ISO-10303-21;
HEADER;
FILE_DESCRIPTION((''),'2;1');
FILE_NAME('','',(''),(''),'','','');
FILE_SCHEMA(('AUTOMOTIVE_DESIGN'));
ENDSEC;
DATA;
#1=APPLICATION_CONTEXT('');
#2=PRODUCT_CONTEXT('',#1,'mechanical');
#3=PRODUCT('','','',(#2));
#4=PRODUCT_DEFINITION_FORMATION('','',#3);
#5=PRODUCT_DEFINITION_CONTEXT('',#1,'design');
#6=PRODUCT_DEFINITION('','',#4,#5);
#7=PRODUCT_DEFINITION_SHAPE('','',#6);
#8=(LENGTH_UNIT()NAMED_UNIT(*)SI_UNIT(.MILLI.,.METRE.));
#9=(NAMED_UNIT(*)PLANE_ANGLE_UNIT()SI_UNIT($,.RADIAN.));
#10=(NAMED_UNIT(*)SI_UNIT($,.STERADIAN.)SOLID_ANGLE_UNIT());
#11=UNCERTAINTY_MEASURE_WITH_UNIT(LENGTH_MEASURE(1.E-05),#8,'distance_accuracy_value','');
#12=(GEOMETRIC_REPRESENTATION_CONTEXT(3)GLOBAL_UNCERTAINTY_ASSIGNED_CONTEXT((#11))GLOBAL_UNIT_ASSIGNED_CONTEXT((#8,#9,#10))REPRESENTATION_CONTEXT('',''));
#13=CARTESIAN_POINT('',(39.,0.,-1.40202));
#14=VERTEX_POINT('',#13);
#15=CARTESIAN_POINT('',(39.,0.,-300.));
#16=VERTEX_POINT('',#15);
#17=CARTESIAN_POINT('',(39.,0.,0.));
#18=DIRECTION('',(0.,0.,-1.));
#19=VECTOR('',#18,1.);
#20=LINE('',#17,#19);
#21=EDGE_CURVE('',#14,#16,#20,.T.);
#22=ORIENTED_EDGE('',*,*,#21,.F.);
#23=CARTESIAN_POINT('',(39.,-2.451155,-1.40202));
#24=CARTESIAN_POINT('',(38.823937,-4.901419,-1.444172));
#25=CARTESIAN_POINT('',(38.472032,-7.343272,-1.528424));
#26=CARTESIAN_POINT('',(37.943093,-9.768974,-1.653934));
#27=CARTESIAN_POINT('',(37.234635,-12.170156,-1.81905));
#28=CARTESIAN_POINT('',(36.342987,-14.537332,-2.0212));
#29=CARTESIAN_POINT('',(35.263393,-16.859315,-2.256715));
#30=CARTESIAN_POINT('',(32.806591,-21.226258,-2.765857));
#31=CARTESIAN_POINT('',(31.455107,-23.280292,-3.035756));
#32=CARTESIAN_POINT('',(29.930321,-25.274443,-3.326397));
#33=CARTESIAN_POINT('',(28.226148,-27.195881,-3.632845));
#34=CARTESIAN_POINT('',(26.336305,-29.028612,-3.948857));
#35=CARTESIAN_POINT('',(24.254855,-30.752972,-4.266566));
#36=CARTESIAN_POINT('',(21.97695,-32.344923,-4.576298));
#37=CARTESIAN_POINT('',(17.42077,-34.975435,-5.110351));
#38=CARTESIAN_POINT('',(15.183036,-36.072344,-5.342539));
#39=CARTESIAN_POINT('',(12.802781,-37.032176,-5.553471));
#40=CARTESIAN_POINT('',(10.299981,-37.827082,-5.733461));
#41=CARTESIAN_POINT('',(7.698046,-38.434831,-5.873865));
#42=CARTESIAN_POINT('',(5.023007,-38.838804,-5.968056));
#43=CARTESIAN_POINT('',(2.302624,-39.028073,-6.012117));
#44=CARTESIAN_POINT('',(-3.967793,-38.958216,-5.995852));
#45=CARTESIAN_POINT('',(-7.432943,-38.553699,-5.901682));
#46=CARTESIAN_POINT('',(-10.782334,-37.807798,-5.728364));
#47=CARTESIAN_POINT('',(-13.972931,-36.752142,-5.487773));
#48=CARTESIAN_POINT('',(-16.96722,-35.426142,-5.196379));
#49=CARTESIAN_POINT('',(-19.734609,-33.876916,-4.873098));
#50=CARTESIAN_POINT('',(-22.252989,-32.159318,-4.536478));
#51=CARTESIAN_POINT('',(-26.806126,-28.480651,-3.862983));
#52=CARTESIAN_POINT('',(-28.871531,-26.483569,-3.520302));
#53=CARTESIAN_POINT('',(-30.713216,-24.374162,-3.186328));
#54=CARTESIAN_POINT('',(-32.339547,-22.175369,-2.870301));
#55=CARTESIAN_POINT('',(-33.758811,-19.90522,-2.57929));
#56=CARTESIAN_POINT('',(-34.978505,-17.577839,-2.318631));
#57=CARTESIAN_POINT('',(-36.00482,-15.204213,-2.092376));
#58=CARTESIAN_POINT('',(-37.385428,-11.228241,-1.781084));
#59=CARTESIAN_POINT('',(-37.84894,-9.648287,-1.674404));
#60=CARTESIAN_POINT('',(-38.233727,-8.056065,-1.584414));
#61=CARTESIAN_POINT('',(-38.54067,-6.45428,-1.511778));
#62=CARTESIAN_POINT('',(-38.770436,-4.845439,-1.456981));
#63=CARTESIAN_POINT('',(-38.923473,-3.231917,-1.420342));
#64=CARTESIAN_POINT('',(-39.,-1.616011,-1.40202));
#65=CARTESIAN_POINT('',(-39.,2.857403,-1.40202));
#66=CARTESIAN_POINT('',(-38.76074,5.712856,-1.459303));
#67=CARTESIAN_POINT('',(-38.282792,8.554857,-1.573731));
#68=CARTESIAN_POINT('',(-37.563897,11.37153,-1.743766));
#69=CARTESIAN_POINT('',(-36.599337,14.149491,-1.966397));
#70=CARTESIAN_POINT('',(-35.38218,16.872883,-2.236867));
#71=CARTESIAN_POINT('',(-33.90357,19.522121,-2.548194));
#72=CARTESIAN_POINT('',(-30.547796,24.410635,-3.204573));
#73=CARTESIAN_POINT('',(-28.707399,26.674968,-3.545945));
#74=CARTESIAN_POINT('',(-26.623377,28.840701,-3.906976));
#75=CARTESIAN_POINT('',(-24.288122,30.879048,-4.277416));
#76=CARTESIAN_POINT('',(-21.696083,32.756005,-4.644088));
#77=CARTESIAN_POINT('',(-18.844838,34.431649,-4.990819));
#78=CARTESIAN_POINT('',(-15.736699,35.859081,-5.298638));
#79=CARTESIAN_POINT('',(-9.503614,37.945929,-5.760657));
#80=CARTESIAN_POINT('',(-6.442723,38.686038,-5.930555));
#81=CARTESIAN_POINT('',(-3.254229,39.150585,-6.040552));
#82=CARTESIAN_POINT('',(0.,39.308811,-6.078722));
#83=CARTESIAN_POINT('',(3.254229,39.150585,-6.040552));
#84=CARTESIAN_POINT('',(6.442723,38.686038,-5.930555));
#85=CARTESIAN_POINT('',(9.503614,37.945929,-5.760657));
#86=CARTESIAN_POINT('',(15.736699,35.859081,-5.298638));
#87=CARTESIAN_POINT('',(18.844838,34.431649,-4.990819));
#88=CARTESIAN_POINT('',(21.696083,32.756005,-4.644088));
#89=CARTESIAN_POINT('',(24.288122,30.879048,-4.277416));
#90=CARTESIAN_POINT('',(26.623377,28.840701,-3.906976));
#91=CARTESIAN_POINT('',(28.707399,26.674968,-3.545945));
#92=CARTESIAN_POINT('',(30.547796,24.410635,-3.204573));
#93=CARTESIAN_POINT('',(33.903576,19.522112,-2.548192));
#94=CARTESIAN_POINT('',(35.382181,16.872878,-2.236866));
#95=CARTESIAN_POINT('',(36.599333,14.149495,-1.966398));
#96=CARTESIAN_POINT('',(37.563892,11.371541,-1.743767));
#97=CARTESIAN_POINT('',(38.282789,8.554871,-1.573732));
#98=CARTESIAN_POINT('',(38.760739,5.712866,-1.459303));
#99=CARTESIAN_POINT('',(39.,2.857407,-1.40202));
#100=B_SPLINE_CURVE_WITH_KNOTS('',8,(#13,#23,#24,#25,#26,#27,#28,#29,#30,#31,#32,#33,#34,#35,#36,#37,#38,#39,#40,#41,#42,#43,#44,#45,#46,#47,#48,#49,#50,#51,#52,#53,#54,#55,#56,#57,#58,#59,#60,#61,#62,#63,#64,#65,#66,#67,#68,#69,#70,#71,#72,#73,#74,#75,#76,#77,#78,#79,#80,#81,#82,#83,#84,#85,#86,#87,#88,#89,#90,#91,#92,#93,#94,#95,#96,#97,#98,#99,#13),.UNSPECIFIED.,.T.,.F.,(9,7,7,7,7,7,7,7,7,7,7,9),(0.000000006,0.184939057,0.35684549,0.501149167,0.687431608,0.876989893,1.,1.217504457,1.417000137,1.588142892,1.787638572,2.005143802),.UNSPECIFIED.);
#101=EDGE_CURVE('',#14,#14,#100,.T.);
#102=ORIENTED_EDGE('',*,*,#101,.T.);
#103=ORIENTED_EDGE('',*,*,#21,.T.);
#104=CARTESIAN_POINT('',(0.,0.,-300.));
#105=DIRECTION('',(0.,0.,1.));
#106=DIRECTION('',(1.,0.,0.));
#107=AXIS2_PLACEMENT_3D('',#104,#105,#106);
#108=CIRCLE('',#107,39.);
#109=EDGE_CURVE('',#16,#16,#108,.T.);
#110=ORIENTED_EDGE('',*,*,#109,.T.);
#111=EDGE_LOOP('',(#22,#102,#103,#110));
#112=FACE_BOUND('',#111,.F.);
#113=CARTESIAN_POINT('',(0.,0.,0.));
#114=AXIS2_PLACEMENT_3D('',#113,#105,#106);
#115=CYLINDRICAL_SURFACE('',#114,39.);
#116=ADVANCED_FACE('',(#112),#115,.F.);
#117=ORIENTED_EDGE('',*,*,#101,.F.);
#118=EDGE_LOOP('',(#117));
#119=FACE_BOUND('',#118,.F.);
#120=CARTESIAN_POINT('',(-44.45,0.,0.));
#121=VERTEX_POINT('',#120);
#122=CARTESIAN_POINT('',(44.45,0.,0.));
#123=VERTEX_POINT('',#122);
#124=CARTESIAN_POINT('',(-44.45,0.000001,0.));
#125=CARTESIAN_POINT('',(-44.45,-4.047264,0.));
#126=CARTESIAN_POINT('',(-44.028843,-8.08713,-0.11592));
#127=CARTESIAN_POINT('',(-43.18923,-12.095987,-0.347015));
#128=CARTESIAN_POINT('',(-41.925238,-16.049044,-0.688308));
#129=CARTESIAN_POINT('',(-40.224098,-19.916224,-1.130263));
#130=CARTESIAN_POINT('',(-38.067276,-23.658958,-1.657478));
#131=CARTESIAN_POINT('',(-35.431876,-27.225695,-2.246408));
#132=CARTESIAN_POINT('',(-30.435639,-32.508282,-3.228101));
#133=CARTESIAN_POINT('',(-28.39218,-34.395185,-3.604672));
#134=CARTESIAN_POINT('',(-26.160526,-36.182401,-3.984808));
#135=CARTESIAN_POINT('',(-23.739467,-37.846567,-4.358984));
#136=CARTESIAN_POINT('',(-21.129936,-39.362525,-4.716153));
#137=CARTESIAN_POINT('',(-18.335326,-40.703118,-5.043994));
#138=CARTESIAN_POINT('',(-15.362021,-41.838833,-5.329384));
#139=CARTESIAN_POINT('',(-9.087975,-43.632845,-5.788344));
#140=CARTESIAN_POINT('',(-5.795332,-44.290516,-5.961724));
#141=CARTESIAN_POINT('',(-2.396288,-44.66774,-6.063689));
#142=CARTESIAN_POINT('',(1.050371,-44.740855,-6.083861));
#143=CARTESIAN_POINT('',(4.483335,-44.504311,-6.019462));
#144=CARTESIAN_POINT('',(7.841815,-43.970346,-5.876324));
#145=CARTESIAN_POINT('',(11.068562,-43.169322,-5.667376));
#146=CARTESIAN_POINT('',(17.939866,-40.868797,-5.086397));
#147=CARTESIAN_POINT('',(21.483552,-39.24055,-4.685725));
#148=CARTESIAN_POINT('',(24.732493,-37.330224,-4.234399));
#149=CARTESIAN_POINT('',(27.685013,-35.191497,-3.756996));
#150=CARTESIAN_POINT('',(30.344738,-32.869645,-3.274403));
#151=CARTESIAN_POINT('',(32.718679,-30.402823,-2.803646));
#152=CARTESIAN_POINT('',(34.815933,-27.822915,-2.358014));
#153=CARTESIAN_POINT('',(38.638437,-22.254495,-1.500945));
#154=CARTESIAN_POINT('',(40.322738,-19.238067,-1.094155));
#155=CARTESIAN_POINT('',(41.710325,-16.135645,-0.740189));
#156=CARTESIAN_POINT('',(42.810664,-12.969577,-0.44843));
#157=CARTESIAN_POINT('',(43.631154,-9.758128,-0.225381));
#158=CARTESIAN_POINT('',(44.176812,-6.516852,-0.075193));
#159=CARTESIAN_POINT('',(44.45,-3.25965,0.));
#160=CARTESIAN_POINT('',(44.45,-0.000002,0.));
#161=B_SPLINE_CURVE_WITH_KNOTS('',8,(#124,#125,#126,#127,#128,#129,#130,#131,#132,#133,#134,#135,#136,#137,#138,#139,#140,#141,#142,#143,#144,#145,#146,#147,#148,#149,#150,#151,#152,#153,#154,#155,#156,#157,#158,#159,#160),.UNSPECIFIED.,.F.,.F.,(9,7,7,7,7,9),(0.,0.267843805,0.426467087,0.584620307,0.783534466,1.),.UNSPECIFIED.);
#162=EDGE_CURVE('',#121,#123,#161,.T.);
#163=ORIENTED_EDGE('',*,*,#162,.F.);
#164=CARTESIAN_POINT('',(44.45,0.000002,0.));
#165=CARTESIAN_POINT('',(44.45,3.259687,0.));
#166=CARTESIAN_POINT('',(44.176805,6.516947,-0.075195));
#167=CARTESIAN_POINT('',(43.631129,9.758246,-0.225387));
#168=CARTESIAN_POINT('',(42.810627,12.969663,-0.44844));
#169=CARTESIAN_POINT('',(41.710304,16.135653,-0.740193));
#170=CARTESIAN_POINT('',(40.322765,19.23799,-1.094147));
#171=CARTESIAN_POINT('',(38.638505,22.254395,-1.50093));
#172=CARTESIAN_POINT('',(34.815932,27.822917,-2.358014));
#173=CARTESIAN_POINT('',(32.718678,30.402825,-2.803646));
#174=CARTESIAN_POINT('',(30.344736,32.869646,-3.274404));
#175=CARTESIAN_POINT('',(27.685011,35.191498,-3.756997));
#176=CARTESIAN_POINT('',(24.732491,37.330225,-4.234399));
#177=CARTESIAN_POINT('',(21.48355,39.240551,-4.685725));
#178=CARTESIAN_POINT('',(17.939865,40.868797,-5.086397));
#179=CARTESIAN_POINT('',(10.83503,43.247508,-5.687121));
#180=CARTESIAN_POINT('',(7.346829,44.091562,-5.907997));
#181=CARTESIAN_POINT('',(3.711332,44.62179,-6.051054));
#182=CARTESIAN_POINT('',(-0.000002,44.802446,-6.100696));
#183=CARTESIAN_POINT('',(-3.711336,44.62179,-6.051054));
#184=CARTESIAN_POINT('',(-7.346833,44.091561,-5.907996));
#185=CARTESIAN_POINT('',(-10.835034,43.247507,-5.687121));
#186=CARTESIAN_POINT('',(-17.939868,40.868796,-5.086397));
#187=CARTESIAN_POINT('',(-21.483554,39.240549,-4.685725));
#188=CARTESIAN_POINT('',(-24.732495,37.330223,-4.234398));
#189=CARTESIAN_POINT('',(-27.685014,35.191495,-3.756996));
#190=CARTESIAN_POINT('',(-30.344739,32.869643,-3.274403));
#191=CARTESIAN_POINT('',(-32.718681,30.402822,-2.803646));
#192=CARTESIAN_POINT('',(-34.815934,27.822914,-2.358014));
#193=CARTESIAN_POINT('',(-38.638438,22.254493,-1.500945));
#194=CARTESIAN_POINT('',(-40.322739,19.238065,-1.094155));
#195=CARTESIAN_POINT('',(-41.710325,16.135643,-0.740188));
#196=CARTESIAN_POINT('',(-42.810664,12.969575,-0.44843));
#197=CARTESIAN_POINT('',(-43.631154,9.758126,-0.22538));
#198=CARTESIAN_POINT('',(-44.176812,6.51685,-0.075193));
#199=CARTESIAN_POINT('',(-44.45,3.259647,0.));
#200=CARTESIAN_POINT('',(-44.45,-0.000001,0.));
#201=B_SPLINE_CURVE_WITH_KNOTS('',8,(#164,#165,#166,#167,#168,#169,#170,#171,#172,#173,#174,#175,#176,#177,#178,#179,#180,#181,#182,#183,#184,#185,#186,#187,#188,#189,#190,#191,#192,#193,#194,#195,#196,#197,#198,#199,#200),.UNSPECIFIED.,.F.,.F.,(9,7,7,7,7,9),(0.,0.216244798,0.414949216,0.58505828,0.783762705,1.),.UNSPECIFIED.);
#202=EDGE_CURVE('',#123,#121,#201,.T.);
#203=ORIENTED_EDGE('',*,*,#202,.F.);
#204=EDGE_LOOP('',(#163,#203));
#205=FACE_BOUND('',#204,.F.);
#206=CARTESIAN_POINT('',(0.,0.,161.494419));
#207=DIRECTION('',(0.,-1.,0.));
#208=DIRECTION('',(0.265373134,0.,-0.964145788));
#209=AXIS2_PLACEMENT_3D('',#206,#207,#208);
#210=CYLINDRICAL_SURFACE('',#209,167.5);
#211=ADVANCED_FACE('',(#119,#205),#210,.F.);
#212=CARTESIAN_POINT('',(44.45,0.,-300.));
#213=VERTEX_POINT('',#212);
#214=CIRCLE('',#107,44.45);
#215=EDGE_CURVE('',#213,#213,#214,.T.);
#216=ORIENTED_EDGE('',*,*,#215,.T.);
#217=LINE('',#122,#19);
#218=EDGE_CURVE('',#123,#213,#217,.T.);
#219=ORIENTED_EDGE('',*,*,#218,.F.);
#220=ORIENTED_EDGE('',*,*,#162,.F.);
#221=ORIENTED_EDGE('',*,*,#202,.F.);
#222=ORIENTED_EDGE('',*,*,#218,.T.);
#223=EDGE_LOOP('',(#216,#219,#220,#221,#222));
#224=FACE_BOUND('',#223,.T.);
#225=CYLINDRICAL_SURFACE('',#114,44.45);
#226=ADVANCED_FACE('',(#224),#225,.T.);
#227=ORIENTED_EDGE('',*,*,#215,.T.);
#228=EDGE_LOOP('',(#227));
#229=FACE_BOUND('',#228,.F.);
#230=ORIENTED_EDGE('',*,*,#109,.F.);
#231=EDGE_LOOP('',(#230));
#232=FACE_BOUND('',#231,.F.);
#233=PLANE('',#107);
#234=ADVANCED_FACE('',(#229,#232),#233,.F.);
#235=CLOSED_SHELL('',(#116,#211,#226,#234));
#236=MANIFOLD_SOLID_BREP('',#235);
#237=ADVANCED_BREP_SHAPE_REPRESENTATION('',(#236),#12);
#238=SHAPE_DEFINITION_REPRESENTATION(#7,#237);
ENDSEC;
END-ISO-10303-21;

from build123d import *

# Parameters (mm, degrees)
F0_R          = 44.45
F0_R_2        = 39
F1_DEPTH      = 300
F3_DEPTH      = 44.451
F3_DEPTH_BACK = 44.451


with BuildPart() as f1:
    # F0 (on Top) → F1 (new body)
    with BuildSketch(Plane.XY):
        Circle(F0_R)
        Circle(F0_R_2, mode=Mode.SUBTRACT)
    extrude(amount=-F1_DEPTH)

    # F2 (on Front) → F3 (cut, two sides)
    with BuildSketch(Plane.XZ) as f3_sk:
        with BuildLine():
            ThreePointArc((167.5, 161.4944194082), (-101.5157007561, 294.7265945762), (-44.45, 0))
            Line((-44.45, 0), (0, 161.4944194082))
            Line((0, 161.4944194082), (44.45, 0))
            ThreePointArc((44.45, 0), (133.232175168, 59.9787186521), (167.5, 161.4944194082))
        make_face()
        with BuildLine():
            Line((0, 161.4944194082), (-44.45, 0))
            ThreePointArc((-44.45, 0), (0, -6.0055805918), (44.45, 0))
            Line((44.45, 0), (0, 161.4944194082))
        make_face()
    extrude(amount=-F3_DEPTH, mode=Mode.SUBTRACT)
    extrude(f3_sk.sketch, amount=F3_DEPTH_BACK, mode=Mode.SUBTRACT)


solid = f1.part
